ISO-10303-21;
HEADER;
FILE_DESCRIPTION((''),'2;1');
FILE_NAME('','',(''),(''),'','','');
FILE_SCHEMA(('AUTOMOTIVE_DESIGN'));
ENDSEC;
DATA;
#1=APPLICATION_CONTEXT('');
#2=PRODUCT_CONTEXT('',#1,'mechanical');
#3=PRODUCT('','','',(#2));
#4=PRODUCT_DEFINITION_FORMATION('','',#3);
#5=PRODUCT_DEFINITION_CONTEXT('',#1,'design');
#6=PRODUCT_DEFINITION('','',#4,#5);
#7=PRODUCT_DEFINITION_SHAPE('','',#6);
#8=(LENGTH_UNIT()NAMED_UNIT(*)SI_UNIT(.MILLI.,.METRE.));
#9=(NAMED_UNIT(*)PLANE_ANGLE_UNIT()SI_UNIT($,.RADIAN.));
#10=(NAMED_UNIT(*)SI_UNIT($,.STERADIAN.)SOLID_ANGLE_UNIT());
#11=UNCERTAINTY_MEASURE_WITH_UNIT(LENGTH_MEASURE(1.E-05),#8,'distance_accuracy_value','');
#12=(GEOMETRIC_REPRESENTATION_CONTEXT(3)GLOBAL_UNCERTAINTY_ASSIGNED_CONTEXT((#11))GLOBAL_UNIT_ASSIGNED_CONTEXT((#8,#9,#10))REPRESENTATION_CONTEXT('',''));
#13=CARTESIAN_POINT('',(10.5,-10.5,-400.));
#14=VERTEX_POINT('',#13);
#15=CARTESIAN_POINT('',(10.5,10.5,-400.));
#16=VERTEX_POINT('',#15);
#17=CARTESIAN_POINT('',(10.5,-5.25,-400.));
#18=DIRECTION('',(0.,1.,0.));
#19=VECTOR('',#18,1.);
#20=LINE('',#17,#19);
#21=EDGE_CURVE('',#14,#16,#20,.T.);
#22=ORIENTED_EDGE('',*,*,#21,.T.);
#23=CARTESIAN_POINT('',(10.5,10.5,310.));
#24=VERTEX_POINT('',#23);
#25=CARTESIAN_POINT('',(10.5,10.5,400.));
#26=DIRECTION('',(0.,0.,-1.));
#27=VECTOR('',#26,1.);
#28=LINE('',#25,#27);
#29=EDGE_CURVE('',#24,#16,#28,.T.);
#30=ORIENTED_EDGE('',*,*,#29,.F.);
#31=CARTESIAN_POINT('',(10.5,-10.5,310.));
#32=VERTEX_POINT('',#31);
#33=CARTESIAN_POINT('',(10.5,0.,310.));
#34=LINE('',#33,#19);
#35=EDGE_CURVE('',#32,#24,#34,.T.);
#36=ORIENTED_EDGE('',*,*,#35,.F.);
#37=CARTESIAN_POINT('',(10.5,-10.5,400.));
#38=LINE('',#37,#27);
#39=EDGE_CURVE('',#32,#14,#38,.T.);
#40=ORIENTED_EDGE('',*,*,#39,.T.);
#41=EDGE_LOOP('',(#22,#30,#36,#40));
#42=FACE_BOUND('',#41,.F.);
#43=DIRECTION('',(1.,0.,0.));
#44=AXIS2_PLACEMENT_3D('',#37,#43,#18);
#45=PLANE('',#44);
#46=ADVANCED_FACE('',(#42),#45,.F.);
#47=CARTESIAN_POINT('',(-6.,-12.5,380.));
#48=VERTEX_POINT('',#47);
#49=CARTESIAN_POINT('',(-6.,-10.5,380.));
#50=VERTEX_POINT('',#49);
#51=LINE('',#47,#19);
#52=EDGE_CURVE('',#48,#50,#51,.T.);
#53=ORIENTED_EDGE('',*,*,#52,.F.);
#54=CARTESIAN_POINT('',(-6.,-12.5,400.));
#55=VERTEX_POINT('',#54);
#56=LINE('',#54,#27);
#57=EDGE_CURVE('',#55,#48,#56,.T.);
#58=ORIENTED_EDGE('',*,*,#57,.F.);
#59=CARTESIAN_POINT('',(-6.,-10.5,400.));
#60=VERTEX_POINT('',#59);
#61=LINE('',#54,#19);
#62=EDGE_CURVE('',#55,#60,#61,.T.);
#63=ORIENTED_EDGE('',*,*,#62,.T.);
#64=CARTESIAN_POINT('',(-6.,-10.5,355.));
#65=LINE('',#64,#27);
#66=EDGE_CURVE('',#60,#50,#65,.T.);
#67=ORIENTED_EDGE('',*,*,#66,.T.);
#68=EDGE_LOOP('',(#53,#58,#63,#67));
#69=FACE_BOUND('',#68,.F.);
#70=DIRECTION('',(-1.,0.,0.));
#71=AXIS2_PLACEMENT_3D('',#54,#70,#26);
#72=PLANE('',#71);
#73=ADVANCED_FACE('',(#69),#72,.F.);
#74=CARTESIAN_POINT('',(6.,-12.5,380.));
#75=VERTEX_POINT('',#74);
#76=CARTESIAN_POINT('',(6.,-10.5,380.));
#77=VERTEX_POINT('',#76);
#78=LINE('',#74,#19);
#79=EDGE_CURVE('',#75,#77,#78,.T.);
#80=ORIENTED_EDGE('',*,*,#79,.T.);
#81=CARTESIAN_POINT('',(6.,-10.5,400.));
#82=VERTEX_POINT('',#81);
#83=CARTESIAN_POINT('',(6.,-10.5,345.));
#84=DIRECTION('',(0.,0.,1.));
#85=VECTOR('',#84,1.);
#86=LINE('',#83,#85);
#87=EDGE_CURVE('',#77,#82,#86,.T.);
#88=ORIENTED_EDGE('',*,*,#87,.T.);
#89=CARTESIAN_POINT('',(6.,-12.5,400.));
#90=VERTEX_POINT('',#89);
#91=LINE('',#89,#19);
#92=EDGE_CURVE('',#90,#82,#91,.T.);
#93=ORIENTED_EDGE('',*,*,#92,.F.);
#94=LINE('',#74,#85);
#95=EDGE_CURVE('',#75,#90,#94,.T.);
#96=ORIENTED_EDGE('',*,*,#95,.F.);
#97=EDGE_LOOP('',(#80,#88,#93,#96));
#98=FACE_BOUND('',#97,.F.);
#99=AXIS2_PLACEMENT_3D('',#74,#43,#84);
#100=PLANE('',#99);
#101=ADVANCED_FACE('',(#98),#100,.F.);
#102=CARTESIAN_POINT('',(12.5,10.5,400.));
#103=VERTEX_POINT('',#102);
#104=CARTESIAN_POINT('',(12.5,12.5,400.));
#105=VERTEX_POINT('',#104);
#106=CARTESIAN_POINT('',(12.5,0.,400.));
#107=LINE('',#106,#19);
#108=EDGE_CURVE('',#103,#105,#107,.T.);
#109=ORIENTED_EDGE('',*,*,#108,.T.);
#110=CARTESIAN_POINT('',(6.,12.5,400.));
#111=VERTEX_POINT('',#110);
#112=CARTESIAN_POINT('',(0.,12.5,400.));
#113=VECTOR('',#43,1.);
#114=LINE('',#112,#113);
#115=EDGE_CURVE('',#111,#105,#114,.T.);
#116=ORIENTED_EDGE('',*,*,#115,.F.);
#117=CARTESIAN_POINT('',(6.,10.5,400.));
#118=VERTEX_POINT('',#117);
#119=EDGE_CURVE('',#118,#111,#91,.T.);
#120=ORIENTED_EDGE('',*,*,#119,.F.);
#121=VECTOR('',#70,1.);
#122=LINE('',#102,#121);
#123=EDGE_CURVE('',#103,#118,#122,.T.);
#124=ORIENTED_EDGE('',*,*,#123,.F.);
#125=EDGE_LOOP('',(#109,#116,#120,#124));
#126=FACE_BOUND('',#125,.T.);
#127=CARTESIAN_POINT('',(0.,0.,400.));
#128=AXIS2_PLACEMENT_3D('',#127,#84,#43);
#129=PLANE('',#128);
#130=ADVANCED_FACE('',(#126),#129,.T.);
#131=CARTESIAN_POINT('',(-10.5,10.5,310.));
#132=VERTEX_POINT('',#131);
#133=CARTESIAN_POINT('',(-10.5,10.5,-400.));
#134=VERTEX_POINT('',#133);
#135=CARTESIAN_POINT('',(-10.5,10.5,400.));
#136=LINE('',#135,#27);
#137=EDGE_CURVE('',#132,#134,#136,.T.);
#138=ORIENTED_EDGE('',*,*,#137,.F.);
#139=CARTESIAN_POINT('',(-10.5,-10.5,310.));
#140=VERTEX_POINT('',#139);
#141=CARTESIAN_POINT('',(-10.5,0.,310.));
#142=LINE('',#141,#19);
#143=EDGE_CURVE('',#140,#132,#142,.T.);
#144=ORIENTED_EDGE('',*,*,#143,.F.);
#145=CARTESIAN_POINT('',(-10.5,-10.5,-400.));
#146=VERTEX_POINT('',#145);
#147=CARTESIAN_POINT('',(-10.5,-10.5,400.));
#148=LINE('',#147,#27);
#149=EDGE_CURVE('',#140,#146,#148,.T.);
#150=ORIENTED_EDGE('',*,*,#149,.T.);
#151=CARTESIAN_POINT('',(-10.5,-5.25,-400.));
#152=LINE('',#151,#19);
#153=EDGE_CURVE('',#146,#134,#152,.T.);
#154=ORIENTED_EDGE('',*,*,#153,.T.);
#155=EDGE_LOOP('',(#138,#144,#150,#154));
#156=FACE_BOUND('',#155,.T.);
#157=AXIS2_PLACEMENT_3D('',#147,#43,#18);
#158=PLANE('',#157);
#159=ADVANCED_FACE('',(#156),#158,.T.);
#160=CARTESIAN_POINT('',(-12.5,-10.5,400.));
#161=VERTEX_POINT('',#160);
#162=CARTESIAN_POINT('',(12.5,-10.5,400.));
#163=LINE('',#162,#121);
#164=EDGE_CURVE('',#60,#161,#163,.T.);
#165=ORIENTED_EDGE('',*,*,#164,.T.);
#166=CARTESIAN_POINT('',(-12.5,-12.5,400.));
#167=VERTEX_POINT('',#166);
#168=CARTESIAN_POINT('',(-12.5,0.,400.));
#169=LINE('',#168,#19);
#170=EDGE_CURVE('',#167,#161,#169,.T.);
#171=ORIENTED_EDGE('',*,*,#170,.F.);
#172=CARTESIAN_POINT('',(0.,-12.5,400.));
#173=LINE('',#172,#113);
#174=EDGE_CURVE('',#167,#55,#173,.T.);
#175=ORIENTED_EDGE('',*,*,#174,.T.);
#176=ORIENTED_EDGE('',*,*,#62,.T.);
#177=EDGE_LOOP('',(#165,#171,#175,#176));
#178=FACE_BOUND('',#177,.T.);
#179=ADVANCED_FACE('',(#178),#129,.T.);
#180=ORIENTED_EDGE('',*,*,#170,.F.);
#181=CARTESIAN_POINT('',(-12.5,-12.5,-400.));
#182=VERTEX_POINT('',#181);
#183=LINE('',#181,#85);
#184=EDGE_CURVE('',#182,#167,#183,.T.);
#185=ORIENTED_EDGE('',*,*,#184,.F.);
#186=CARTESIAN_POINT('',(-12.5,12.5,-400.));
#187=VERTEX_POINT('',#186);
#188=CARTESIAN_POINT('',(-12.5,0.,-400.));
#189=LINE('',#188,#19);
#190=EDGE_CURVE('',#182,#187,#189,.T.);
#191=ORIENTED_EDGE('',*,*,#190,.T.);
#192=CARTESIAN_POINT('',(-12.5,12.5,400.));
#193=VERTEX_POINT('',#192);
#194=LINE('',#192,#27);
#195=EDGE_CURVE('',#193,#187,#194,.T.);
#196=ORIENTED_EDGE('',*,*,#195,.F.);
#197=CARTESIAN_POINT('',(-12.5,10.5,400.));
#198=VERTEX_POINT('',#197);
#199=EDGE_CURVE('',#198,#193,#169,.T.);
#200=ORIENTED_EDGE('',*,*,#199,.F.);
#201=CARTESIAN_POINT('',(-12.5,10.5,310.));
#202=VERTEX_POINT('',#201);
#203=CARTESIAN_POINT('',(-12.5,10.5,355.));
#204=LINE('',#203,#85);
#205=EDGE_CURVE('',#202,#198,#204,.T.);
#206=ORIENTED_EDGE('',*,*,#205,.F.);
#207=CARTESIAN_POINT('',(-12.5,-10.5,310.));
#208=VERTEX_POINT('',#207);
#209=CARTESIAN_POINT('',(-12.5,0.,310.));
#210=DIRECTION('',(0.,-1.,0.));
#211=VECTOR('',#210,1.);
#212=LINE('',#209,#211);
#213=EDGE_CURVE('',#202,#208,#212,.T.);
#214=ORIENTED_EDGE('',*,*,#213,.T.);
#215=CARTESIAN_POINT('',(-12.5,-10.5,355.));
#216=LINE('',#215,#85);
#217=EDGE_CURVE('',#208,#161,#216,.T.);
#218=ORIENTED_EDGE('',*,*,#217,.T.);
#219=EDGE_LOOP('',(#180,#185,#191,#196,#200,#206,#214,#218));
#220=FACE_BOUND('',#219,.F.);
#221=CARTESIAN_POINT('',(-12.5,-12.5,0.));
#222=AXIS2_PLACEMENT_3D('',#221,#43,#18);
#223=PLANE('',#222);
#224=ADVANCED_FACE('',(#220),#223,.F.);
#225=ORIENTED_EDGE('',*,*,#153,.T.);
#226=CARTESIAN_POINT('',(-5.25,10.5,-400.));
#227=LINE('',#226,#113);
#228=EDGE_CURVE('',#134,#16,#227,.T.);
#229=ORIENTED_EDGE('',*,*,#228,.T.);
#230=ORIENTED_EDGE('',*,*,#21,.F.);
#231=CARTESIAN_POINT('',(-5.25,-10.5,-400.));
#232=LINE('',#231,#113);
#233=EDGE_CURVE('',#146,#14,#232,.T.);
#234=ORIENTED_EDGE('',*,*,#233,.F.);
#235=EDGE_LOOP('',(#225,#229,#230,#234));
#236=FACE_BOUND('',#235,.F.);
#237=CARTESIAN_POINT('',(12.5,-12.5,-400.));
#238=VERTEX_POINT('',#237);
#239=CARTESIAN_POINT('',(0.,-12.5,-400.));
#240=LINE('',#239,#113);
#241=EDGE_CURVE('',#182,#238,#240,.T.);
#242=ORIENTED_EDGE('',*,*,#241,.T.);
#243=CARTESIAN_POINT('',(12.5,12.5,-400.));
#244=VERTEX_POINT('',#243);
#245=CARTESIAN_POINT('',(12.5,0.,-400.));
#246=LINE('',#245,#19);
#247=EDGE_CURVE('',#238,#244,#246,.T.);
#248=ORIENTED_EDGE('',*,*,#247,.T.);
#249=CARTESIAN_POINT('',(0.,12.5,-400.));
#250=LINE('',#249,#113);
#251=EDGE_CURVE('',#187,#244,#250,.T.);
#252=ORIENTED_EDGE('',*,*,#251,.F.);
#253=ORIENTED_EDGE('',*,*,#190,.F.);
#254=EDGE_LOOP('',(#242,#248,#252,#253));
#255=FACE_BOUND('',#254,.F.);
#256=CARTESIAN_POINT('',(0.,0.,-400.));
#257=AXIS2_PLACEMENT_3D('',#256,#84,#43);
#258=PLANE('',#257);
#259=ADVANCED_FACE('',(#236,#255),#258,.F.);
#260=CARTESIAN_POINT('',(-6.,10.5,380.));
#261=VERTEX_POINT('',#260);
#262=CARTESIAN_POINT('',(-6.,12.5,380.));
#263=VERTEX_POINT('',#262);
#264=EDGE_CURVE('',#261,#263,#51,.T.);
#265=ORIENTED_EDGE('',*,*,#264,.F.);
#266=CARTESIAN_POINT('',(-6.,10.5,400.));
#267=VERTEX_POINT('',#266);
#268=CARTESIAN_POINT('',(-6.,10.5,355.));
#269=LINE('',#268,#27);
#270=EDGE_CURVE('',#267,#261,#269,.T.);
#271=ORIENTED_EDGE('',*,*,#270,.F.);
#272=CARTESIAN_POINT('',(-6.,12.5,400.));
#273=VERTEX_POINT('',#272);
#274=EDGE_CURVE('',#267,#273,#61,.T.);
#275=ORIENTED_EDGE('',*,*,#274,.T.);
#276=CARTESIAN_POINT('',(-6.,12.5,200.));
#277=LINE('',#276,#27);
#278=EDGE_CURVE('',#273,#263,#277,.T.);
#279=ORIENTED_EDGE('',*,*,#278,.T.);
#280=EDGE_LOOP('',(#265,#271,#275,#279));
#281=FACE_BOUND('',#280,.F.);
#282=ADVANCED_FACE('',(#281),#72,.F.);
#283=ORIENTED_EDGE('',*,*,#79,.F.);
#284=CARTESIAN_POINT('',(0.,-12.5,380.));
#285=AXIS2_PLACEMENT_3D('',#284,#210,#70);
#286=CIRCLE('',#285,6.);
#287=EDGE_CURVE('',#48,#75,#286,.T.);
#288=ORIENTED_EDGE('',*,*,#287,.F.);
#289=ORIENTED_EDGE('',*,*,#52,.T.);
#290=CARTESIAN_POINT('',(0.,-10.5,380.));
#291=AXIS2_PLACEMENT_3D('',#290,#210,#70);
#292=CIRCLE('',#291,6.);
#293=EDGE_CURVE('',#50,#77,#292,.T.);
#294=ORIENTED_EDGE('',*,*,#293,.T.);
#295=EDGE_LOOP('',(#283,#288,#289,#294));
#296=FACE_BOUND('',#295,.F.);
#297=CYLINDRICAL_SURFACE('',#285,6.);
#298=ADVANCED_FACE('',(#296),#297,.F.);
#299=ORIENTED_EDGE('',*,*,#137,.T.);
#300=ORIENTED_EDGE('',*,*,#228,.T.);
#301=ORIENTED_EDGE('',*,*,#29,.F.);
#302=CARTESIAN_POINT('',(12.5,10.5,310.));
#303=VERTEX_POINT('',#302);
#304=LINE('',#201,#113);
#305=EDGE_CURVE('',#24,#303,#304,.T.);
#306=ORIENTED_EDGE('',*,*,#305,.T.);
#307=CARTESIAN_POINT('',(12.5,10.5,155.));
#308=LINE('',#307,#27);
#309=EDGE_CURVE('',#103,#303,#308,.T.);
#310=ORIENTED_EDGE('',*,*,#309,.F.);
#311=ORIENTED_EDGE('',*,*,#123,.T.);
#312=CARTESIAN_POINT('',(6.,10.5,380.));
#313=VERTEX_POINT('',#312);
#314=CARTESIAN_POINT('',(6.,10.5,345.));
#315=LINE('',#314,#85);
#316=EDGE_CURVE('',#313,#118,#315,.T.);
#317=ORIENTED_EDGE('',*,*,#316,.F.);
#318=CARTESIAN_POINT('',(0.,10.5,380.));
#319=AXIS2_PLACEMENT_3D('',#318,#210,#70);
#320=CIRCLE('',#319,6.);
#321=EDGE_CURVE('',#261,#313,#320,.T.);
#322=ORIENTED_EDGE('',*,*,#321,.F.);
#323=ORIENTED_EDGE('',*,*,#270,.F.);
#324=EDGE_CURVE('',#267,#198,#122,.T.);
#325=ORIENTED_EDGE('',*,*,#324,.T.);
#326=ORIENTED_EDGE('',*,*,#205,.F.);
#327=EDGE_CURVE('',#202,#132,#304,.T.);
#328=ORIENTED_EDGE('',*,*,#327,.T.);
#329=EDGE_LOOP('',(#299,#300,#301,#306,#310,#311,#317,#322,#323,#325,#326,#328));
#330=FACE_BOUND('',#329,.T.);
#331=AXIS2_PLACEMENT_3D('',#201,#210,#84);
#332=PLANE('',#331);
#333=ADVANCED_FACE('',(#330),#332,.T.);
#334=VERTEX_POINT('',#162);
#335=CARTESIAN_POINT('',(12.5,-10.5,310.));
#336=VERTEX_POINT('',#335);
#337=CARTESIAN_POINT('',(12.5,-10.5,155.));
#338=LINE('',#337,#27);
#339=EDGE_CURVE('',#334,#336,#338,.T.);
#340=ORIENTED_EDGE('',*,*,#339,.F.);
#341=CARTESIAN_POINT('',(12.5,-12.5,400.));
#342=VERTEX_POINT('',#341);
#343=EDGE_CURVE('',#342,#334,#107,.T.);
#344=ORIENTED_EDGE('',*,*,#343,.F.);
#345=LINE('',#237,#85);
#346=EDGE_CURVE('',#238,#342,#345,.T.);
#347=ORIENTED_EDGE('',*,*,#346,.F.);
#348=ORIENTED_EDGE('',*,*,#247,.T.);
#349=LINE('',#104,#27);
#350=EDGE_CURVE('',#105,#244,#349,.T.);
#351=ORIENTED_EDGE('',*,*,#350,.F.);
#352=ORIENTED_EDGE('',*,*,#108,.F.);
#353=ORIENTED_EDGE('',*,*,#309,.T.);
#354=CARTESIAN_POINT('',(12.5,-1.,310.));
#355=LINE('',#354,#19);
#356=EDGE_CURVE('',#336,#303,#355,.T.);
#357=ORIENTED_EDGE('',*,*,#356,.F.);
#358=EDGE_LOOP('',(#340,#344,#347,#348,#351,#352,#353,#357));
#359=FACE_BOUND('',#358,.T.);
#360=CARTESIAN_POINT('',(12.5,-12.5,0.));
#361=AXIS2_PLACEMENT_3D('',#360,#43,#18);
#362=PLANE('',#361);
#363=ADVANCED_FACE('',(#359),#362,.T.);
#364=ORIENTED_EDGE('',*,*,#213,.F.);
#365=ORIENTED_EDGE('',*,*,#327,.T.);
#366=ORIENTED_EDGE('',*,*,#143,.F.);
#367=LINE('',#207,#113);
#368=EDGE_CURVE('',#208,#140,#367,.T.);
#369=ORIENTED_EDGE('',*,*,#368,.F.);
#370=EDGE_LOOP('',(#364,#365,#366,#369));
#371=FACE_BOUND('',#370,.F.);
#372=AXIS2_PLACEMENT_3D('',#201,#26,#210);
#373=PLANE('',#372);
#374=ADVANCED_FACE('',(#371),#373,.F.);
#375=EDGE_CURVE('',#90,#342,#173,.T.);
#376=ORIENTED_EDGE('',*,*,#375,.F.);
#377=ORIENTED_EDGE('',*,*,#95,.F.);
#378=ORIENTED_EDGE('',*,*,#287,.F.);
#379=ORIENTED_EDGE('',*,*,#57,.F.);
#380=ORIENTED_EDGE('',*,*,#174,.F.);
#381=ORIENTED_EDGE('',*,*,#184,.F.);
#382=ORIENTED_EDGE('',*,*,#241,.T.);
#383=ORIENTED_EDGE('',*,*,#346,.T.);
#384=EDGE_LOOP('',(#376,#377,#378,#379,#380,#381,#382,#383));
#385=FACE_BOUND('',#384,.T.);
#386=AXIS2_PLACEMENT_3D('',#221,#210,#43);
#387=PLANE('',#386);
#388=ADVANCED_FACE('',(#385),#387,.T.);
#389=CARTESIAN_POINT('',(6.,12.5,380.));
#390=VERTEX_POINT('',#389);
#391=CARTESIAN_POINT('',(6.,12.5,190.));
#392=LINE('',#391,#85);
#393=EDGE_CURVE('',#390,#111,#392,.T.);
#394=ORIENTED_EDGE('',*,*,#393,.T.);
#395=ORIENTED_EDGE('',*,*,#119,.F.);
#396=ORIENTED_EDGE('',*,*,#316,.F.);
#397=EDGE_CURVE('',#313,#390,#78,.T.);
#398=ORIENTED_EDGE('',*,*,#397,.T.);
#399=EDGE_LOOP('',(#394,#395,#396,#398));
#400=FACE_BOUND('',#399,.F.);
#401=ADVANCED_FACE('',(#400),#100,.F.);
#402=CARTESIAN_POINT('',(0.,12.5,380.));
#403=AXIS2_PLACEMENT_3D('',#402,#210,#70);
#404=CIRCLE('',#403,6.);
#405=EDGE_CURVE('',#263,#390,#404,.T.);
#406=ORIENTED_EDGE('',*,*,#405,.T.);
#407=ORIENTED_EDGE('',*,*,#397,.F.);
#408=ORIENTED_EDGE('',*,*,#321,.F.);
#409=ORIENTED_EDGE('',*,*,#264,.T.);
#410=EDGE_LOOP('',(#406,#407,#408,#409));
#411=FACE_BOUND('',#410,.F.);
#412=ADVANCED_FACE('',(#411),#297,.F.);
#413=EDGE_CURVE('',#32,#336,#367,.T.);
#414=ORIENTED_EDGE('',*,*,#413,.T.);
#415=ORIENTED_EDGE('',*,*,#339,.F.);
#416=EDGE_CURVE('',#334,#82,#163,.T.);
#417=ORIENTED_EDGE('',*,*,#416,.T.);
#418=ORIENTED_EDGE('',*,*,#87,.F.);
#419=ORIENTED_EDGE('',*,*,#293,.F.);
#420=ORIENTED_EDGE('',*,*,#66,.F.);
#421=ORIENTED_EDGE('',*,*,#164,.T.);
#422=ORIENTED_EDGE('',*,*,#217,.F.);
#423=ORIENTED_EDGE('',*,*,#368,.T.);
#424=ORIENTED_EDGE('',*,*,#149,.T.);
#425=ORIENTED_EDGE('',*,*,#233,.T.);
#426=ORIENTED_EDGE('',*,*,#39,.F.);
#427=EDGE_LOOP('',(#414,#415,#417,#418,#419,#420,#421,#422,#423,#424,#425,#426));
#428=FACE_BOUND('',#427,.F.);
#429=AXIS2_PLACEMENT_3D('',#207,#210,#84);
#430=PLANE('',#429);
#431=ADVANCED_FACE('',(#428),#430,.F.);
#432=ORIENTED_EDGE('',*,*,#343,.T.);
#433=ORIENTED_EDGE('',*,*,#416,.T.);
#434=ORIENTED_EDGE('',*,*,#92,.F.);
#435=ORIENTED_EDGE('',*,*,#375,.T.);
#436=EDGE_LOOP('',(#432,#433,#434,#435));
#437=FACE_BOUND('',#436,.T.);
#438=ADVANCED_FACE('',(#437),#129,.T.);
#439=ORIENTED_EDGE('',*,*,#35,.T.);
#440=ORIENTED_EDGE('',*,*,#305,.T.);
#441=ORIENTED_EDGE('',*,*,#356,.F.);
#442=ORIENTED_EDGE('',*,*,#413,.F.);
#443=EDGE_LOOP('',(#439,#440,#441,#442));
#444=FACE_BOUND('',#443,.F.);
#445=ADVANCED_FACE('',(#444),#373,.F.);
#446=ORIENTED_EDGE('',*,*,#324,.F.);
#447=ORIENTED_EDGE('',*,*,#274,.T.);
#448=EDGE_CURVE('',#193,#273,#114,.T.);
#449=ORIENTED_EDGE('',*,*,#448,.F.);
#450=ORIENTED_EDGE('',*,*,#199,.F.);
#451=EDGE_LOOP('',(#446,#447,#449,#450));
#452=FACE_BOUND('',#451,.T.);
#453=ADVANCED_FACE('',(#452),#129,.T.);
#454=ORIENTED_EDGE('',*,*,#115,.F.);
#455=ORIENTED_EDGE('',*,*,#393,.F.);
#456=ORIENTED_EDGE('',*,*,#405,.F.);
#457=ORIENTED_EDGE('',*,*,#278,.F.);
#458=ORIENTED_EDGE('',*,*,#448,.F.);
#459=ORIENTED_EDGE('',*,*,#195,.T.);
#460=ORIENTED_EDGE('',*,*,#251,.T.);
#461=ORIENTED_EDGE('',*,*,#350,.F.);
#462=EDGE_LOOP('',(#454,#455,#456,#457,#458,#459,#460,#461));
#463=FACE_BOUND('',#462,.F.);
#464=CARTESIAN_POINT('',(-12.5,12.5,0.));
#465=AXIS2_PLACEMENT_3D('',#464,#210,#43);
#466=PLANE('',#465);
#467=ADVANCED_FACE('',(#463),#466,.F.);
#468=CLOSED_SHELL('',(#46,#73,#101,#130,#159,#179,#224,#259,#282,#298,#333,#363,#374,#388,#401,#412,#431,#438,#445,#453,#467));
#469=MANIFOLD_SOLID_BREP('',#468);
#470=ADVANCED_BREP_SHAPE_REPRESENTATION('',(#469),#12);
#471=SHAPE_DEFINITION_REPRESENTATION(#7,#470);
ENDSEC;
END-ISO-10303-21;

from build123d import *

# Parameters (mm, degrees)
F0_W     = 25
F0_H     = 25
F1_DEPTH = 400
F2_W     = 21
F2_H     = 21
F3_DEPTH = 800.001
F4_W     = 21
F4_H     = 90
F5_DEPTH = 25.001
F7_DEPTH = 25.001


with BuildPart() as f1:
    # F0 (on Top) → F1 (new body, symmetric)
    with BuildSketch(Plane.XY):
        Rectangle(F0_W, F0_H)
    extrude(amount=F1_DEPTH, both=True)

    # F2 (on face) → F3 (cut, through all)
    with BuildSketch(Plane.XY.offset(400)):
        Rectangle(F2_W, F2_H)
    extrude(amount=-F3_DEPTH, mode=Mode.SUBTRACT)

    # F4 (on face) → F5 (cut, through all)
    with BuildSketch(Plane(origin=(-12.5, 0, 0), x_dir=(0, -1, 0), z_dir=(-1, 0, 0))):
        with Locations((0, 355)):
            Rectangle(F4_W, F4_H)
    extrude(amount=-F5_DEPTH, mode=Mode.SUBTRACT)

    # F6 (on face) → F7 (cut, through all)
    with BuildSketch(Plane.XZ.offset(12.5)):
        with BuildLine():
            Line((6, 380), (6, 400))
            Line((6, 400), (-6, 400))
            Line((-6, 400), (-6, 380))
            ThreePointArc((-6, 380), (0, 374), (6, 380))
        make_face()
    extrude(amount=-F7_DEPTH, mode=Mode.SUBTRACT)


solid = f1.part
